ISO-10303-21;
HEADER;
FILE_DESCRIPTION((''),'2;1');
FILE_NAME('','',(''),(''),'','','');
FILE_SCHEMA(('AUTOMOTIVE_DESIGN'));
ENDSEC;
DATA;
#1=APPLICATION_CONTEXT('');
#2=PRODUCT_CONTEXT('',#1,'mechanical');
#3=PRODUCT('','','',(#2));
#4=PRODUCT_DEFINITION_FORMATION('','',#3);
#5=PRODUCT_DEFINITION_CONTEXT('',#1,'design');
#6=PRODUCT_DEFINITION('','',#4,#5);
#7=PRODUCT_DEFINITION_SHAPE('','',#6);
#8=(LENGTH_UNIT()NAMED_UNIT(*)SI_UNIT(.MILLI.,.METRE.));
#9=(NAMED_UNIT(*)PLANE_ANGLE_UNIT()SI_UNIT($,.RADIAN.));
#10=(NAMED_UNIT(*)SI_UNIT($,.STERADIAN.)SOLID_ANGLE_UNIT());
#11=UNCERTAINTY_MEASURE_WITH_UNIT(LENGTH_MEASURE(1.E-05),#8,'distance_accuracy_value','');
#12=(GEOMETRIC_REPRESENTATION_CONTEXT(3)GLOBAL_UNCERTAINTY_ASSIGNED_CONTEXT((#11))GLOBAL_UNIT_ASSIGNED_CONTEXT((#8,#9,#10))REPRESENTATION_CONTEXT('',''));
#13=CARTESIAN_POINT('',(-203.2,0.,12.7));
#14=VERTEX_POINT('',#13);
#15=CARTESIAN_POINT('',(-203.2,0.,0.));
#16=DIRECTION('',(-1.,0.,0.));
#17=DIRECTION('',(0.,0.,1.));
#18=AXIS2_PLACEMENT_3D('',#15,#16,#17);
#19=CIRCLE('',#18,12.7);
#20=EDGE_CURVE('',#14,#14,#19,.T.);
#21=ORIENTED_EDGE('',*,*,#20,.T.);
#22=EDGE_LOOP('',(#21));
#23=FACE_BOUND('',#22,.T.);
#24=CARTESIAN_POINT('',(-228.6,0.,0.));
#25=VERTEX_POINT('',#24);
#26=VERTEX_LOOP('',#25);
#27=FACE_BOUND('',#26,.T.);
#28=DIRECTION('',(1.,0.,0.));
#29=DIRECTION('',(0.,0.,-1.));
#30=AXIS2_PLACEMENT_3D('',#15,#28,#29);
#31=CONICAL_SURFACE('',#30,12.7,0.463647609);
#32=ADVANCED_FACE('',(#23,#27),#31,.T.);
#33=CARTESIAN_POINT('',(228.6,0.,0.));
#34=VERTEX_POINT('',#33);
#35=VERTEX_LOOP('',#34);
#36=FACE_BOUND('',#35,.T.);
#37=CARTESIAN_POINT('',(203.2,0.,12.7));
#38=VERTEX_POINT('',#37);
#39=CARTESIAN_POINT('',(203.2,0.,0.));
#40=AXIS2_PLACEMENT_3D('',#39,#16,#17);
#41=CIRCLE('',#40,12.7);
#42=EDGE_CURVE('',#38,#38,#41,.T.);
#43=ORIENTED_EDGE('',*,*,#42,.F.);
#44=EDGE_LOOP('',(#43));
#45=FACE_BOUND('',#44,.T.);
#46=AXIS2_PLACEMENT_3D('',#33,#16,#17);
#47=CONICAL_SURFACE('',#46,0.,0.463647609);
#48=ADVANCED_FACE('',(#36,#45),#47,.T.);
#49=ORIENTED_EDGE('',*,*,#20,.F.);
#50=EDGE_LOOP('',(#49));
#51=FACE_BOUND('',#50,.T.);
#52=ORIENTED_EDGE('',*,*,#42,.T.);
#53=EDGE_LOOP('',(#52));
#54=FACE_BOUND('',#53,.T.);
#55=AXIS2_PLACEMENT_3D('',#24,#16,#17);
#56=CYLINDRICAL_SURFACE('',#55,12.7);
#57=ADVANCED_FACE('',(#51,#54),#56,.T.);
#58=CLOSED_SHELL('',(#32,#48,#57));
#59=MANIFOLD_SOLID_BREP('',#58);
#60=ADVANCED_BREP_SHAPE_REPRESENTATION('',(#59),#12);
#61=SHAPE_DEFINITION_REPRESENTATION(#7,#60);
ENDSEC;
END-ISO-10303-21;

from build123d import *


with BuildPart() as part:
    # Sketch1 → Revolve1 (revolve)
    with BuildSketch(Plane(origin=(0, 0, 0), x_dir=(1, 0, 0), z_dir=(0, 1, 0)), mode=Mode.PRIVATE) as revolve1_sk:
        Polygon((-228.6, 0), (228.6, 0), (203.2, 12.7), (-203.2, 12.7), align=None)
    revolve(revolve1_sk.sketch.rotate(Axis((-228.6, 0, 0), (1, 0, 0)), 180), axis=Axis((-228.6, 0, 0), (1, 0, 0)))


solid = part.part
